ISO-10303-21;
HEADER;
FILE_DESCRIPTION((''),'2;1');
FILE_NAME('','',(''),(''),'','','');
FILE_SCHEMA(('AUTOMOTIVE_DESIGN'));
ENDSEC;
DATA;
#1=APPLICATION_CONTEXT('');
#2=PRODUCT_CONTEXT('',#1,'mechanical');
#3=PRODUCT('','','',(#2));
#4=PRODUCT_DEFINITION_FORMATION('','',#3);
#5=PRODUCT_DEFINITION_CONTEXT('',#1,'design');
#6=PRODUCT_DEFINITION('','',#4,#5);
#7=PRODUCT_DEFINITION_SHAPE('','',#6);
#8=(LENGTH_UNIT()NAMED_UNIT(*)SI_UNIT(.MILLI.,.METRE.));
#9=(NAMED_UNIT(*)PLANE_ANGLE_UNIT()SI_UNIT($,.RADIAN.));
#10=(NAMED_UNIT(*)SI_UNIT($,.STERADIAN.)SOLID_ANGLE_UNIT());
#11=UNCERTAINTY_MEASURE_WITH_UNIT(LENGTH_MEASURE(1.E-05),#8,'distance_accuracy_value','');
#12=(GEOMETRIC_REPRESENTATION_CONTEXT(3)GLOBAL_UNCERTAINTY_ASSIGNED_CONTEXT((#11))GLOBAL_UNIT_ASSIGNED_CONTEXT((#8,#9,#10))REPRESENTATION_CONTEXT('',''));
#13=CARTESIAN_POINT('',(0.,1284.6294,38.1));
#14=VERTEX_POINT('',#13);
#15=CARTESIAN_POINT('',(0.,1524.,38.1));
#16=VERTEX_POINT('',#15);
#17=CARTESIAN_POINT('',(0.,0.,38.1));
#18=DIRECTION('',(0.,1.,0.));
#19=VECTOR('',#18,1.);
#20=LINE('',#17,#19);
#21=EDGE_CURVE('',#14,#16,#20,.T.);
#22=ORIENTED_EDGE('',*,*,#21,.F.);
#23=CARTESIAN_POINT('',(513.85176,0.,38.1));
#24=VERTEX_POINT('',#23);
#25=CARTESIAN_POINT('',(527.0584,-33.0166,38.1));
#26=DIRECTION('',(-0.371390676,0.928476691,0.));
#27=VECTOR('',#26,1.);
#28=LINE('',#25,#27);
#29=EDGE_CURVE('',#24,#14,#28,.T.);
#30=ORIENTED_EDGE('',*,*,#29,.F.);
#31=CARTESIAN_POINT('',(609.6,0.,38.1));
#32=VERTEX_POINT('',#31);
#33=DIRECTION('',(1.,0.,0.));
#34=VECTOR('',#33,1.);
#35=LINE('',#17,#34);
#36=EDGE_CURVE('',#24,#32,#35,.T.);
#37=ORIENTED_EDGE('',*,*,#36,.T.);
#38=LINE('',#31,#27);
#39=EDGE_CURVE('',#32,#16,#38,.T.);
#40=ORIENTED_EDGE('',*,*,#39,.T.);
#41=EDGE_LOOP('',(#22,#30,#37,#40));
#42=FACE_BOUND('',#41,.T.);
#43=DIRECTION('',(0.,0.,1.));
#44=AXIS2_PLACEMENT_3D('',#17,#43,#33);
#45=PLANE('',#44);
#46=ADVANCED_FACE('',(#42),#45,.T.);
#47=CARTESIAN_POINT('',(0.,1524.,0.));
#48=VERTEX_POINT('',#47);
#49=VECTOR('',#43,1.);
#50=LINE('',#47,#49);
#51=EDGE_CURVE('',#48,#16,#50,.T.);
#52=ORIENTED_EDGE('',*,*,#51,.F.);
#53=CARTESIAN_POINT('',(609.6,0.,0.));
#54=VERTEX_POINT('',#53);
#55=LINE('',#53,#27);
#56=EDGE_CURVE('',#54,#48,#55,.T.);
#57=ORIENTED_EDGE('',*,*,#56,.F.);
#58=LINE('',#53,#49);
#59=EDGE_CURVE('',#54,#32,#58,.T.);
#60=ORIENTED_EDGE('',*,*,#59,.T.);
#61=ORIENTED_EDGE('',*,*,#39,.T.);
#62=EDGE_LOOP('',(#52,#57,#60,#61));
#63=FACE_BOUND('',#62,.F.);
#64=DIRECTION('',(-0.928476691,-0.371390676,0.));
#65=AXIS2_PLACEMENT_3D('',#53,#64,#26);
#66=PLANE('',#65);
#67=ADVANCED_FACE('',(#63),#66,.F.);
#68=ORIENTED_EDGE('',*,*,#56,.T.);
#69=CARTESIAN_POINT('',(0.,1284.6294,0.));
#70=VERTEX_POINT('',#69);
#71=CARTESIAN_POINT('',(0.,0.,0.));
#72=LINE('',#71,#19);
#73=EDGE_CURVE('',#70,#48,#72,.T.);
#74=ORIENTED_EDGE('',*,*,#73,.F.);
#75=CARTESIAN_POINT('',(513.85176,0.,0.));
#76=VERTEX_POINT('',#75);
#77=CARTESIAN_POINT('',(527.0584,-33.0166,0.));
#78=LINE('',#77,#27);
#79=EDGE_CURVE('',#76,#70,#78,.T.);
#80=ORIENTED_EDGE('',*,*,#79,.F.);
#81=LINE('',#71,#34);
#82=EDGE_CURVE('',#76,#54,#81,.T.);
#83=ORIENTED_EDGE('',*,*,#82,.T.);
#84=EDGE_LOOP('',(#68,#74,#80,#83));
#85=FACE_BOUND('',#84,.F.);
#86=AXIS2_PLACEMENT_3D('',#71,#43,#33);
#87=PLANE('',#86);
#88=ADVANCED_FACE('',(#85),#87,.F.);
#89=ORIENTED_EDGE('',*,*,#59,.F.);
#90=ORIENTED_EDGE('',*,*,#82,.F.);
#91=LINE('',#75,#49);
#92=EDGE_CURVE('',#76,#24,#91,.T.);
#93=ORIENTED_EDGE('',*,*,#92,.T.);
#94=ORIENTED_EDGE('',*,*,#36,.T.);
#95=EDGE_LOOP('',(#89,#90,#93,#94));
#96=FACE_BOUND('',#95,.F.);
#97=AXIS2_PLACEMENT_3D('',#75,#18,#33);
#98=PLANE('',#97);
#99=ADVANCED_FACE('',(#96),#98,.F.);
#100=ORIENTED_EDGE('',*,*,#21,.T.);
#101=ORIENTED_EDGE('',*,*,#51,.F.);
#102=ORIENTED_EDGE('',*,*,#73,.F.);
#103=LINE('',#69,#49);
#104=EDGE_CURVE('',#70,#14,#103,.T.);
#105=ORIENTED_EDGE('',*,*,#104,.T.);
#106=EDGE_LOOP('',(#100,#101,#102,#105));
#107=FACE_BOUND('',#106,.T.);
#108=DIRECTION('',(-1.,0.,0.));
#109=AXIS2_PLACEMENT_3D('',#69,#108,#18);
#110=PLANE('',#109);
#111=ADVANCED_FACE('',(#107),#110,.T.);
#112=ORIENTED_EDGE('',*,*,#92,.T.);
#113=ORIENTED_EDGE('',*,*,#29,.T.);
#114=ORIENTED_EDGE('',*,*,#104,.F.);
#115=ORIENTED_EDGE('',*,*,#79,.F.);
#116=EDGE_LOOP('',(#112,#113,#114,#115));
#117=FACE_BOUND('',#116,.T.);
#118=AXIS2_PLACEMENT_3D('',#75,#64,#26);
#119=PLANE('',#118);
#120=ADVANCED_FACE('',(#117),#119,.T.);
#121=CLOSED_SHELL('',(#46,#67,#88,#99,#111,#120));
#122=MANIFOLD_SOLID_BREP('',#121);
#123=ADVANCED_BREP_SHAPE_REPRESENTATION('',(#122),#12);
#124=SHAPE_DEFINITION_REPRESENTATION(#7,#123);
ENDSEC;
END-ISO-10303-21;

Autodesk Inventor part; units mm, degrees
ref_plane "YZ Plane" through (0, 0, 0) normal (1, 0, 0) x (0, 1, 0)
ref_plane "XZ Plane" through (0, 0, 0) normal (0, 1, 0) x (-1, 0, 0)
ref_plane "XY Plane" through (0, 0, 0) normal (0, 0, 1) x (1, 0, 0)
sketch "Sketch1" plane through (0, 0, 0) normal (0, 0, 1) x (1, 0, 0)
  line L0 (0, 0) -> (0, 1524)
  line L1 (0, 0) -> (609.6, 0)
  line L2 (609.6, 0) -> (0, 1524)
  line L3 (609.6, 0) -> (527.0584, -33.0166)
  line L4 (527.0584, -33.0166) -> (0, 1284.6294)
  line L5 (0, 1524) -> (-82.5416, 1490.9834)
  line L6 (0, 1284.6294) -> (-82.5416, 1490.9834)
  point P0 (513.8518, 0)
  dimension "d0" = 1524
  dimension "d1" = 609.6
  dimension "d2" = 88.9
  dimension "d3" = 90
  dimension "d4" = 88.9
  dimension "d5" = 90
extrude "Extrusion1" add sketch "Sketch1" along normal blind 38.1 contours L0 L2 L1 L4
properties part number "S_2x4x64.622"
